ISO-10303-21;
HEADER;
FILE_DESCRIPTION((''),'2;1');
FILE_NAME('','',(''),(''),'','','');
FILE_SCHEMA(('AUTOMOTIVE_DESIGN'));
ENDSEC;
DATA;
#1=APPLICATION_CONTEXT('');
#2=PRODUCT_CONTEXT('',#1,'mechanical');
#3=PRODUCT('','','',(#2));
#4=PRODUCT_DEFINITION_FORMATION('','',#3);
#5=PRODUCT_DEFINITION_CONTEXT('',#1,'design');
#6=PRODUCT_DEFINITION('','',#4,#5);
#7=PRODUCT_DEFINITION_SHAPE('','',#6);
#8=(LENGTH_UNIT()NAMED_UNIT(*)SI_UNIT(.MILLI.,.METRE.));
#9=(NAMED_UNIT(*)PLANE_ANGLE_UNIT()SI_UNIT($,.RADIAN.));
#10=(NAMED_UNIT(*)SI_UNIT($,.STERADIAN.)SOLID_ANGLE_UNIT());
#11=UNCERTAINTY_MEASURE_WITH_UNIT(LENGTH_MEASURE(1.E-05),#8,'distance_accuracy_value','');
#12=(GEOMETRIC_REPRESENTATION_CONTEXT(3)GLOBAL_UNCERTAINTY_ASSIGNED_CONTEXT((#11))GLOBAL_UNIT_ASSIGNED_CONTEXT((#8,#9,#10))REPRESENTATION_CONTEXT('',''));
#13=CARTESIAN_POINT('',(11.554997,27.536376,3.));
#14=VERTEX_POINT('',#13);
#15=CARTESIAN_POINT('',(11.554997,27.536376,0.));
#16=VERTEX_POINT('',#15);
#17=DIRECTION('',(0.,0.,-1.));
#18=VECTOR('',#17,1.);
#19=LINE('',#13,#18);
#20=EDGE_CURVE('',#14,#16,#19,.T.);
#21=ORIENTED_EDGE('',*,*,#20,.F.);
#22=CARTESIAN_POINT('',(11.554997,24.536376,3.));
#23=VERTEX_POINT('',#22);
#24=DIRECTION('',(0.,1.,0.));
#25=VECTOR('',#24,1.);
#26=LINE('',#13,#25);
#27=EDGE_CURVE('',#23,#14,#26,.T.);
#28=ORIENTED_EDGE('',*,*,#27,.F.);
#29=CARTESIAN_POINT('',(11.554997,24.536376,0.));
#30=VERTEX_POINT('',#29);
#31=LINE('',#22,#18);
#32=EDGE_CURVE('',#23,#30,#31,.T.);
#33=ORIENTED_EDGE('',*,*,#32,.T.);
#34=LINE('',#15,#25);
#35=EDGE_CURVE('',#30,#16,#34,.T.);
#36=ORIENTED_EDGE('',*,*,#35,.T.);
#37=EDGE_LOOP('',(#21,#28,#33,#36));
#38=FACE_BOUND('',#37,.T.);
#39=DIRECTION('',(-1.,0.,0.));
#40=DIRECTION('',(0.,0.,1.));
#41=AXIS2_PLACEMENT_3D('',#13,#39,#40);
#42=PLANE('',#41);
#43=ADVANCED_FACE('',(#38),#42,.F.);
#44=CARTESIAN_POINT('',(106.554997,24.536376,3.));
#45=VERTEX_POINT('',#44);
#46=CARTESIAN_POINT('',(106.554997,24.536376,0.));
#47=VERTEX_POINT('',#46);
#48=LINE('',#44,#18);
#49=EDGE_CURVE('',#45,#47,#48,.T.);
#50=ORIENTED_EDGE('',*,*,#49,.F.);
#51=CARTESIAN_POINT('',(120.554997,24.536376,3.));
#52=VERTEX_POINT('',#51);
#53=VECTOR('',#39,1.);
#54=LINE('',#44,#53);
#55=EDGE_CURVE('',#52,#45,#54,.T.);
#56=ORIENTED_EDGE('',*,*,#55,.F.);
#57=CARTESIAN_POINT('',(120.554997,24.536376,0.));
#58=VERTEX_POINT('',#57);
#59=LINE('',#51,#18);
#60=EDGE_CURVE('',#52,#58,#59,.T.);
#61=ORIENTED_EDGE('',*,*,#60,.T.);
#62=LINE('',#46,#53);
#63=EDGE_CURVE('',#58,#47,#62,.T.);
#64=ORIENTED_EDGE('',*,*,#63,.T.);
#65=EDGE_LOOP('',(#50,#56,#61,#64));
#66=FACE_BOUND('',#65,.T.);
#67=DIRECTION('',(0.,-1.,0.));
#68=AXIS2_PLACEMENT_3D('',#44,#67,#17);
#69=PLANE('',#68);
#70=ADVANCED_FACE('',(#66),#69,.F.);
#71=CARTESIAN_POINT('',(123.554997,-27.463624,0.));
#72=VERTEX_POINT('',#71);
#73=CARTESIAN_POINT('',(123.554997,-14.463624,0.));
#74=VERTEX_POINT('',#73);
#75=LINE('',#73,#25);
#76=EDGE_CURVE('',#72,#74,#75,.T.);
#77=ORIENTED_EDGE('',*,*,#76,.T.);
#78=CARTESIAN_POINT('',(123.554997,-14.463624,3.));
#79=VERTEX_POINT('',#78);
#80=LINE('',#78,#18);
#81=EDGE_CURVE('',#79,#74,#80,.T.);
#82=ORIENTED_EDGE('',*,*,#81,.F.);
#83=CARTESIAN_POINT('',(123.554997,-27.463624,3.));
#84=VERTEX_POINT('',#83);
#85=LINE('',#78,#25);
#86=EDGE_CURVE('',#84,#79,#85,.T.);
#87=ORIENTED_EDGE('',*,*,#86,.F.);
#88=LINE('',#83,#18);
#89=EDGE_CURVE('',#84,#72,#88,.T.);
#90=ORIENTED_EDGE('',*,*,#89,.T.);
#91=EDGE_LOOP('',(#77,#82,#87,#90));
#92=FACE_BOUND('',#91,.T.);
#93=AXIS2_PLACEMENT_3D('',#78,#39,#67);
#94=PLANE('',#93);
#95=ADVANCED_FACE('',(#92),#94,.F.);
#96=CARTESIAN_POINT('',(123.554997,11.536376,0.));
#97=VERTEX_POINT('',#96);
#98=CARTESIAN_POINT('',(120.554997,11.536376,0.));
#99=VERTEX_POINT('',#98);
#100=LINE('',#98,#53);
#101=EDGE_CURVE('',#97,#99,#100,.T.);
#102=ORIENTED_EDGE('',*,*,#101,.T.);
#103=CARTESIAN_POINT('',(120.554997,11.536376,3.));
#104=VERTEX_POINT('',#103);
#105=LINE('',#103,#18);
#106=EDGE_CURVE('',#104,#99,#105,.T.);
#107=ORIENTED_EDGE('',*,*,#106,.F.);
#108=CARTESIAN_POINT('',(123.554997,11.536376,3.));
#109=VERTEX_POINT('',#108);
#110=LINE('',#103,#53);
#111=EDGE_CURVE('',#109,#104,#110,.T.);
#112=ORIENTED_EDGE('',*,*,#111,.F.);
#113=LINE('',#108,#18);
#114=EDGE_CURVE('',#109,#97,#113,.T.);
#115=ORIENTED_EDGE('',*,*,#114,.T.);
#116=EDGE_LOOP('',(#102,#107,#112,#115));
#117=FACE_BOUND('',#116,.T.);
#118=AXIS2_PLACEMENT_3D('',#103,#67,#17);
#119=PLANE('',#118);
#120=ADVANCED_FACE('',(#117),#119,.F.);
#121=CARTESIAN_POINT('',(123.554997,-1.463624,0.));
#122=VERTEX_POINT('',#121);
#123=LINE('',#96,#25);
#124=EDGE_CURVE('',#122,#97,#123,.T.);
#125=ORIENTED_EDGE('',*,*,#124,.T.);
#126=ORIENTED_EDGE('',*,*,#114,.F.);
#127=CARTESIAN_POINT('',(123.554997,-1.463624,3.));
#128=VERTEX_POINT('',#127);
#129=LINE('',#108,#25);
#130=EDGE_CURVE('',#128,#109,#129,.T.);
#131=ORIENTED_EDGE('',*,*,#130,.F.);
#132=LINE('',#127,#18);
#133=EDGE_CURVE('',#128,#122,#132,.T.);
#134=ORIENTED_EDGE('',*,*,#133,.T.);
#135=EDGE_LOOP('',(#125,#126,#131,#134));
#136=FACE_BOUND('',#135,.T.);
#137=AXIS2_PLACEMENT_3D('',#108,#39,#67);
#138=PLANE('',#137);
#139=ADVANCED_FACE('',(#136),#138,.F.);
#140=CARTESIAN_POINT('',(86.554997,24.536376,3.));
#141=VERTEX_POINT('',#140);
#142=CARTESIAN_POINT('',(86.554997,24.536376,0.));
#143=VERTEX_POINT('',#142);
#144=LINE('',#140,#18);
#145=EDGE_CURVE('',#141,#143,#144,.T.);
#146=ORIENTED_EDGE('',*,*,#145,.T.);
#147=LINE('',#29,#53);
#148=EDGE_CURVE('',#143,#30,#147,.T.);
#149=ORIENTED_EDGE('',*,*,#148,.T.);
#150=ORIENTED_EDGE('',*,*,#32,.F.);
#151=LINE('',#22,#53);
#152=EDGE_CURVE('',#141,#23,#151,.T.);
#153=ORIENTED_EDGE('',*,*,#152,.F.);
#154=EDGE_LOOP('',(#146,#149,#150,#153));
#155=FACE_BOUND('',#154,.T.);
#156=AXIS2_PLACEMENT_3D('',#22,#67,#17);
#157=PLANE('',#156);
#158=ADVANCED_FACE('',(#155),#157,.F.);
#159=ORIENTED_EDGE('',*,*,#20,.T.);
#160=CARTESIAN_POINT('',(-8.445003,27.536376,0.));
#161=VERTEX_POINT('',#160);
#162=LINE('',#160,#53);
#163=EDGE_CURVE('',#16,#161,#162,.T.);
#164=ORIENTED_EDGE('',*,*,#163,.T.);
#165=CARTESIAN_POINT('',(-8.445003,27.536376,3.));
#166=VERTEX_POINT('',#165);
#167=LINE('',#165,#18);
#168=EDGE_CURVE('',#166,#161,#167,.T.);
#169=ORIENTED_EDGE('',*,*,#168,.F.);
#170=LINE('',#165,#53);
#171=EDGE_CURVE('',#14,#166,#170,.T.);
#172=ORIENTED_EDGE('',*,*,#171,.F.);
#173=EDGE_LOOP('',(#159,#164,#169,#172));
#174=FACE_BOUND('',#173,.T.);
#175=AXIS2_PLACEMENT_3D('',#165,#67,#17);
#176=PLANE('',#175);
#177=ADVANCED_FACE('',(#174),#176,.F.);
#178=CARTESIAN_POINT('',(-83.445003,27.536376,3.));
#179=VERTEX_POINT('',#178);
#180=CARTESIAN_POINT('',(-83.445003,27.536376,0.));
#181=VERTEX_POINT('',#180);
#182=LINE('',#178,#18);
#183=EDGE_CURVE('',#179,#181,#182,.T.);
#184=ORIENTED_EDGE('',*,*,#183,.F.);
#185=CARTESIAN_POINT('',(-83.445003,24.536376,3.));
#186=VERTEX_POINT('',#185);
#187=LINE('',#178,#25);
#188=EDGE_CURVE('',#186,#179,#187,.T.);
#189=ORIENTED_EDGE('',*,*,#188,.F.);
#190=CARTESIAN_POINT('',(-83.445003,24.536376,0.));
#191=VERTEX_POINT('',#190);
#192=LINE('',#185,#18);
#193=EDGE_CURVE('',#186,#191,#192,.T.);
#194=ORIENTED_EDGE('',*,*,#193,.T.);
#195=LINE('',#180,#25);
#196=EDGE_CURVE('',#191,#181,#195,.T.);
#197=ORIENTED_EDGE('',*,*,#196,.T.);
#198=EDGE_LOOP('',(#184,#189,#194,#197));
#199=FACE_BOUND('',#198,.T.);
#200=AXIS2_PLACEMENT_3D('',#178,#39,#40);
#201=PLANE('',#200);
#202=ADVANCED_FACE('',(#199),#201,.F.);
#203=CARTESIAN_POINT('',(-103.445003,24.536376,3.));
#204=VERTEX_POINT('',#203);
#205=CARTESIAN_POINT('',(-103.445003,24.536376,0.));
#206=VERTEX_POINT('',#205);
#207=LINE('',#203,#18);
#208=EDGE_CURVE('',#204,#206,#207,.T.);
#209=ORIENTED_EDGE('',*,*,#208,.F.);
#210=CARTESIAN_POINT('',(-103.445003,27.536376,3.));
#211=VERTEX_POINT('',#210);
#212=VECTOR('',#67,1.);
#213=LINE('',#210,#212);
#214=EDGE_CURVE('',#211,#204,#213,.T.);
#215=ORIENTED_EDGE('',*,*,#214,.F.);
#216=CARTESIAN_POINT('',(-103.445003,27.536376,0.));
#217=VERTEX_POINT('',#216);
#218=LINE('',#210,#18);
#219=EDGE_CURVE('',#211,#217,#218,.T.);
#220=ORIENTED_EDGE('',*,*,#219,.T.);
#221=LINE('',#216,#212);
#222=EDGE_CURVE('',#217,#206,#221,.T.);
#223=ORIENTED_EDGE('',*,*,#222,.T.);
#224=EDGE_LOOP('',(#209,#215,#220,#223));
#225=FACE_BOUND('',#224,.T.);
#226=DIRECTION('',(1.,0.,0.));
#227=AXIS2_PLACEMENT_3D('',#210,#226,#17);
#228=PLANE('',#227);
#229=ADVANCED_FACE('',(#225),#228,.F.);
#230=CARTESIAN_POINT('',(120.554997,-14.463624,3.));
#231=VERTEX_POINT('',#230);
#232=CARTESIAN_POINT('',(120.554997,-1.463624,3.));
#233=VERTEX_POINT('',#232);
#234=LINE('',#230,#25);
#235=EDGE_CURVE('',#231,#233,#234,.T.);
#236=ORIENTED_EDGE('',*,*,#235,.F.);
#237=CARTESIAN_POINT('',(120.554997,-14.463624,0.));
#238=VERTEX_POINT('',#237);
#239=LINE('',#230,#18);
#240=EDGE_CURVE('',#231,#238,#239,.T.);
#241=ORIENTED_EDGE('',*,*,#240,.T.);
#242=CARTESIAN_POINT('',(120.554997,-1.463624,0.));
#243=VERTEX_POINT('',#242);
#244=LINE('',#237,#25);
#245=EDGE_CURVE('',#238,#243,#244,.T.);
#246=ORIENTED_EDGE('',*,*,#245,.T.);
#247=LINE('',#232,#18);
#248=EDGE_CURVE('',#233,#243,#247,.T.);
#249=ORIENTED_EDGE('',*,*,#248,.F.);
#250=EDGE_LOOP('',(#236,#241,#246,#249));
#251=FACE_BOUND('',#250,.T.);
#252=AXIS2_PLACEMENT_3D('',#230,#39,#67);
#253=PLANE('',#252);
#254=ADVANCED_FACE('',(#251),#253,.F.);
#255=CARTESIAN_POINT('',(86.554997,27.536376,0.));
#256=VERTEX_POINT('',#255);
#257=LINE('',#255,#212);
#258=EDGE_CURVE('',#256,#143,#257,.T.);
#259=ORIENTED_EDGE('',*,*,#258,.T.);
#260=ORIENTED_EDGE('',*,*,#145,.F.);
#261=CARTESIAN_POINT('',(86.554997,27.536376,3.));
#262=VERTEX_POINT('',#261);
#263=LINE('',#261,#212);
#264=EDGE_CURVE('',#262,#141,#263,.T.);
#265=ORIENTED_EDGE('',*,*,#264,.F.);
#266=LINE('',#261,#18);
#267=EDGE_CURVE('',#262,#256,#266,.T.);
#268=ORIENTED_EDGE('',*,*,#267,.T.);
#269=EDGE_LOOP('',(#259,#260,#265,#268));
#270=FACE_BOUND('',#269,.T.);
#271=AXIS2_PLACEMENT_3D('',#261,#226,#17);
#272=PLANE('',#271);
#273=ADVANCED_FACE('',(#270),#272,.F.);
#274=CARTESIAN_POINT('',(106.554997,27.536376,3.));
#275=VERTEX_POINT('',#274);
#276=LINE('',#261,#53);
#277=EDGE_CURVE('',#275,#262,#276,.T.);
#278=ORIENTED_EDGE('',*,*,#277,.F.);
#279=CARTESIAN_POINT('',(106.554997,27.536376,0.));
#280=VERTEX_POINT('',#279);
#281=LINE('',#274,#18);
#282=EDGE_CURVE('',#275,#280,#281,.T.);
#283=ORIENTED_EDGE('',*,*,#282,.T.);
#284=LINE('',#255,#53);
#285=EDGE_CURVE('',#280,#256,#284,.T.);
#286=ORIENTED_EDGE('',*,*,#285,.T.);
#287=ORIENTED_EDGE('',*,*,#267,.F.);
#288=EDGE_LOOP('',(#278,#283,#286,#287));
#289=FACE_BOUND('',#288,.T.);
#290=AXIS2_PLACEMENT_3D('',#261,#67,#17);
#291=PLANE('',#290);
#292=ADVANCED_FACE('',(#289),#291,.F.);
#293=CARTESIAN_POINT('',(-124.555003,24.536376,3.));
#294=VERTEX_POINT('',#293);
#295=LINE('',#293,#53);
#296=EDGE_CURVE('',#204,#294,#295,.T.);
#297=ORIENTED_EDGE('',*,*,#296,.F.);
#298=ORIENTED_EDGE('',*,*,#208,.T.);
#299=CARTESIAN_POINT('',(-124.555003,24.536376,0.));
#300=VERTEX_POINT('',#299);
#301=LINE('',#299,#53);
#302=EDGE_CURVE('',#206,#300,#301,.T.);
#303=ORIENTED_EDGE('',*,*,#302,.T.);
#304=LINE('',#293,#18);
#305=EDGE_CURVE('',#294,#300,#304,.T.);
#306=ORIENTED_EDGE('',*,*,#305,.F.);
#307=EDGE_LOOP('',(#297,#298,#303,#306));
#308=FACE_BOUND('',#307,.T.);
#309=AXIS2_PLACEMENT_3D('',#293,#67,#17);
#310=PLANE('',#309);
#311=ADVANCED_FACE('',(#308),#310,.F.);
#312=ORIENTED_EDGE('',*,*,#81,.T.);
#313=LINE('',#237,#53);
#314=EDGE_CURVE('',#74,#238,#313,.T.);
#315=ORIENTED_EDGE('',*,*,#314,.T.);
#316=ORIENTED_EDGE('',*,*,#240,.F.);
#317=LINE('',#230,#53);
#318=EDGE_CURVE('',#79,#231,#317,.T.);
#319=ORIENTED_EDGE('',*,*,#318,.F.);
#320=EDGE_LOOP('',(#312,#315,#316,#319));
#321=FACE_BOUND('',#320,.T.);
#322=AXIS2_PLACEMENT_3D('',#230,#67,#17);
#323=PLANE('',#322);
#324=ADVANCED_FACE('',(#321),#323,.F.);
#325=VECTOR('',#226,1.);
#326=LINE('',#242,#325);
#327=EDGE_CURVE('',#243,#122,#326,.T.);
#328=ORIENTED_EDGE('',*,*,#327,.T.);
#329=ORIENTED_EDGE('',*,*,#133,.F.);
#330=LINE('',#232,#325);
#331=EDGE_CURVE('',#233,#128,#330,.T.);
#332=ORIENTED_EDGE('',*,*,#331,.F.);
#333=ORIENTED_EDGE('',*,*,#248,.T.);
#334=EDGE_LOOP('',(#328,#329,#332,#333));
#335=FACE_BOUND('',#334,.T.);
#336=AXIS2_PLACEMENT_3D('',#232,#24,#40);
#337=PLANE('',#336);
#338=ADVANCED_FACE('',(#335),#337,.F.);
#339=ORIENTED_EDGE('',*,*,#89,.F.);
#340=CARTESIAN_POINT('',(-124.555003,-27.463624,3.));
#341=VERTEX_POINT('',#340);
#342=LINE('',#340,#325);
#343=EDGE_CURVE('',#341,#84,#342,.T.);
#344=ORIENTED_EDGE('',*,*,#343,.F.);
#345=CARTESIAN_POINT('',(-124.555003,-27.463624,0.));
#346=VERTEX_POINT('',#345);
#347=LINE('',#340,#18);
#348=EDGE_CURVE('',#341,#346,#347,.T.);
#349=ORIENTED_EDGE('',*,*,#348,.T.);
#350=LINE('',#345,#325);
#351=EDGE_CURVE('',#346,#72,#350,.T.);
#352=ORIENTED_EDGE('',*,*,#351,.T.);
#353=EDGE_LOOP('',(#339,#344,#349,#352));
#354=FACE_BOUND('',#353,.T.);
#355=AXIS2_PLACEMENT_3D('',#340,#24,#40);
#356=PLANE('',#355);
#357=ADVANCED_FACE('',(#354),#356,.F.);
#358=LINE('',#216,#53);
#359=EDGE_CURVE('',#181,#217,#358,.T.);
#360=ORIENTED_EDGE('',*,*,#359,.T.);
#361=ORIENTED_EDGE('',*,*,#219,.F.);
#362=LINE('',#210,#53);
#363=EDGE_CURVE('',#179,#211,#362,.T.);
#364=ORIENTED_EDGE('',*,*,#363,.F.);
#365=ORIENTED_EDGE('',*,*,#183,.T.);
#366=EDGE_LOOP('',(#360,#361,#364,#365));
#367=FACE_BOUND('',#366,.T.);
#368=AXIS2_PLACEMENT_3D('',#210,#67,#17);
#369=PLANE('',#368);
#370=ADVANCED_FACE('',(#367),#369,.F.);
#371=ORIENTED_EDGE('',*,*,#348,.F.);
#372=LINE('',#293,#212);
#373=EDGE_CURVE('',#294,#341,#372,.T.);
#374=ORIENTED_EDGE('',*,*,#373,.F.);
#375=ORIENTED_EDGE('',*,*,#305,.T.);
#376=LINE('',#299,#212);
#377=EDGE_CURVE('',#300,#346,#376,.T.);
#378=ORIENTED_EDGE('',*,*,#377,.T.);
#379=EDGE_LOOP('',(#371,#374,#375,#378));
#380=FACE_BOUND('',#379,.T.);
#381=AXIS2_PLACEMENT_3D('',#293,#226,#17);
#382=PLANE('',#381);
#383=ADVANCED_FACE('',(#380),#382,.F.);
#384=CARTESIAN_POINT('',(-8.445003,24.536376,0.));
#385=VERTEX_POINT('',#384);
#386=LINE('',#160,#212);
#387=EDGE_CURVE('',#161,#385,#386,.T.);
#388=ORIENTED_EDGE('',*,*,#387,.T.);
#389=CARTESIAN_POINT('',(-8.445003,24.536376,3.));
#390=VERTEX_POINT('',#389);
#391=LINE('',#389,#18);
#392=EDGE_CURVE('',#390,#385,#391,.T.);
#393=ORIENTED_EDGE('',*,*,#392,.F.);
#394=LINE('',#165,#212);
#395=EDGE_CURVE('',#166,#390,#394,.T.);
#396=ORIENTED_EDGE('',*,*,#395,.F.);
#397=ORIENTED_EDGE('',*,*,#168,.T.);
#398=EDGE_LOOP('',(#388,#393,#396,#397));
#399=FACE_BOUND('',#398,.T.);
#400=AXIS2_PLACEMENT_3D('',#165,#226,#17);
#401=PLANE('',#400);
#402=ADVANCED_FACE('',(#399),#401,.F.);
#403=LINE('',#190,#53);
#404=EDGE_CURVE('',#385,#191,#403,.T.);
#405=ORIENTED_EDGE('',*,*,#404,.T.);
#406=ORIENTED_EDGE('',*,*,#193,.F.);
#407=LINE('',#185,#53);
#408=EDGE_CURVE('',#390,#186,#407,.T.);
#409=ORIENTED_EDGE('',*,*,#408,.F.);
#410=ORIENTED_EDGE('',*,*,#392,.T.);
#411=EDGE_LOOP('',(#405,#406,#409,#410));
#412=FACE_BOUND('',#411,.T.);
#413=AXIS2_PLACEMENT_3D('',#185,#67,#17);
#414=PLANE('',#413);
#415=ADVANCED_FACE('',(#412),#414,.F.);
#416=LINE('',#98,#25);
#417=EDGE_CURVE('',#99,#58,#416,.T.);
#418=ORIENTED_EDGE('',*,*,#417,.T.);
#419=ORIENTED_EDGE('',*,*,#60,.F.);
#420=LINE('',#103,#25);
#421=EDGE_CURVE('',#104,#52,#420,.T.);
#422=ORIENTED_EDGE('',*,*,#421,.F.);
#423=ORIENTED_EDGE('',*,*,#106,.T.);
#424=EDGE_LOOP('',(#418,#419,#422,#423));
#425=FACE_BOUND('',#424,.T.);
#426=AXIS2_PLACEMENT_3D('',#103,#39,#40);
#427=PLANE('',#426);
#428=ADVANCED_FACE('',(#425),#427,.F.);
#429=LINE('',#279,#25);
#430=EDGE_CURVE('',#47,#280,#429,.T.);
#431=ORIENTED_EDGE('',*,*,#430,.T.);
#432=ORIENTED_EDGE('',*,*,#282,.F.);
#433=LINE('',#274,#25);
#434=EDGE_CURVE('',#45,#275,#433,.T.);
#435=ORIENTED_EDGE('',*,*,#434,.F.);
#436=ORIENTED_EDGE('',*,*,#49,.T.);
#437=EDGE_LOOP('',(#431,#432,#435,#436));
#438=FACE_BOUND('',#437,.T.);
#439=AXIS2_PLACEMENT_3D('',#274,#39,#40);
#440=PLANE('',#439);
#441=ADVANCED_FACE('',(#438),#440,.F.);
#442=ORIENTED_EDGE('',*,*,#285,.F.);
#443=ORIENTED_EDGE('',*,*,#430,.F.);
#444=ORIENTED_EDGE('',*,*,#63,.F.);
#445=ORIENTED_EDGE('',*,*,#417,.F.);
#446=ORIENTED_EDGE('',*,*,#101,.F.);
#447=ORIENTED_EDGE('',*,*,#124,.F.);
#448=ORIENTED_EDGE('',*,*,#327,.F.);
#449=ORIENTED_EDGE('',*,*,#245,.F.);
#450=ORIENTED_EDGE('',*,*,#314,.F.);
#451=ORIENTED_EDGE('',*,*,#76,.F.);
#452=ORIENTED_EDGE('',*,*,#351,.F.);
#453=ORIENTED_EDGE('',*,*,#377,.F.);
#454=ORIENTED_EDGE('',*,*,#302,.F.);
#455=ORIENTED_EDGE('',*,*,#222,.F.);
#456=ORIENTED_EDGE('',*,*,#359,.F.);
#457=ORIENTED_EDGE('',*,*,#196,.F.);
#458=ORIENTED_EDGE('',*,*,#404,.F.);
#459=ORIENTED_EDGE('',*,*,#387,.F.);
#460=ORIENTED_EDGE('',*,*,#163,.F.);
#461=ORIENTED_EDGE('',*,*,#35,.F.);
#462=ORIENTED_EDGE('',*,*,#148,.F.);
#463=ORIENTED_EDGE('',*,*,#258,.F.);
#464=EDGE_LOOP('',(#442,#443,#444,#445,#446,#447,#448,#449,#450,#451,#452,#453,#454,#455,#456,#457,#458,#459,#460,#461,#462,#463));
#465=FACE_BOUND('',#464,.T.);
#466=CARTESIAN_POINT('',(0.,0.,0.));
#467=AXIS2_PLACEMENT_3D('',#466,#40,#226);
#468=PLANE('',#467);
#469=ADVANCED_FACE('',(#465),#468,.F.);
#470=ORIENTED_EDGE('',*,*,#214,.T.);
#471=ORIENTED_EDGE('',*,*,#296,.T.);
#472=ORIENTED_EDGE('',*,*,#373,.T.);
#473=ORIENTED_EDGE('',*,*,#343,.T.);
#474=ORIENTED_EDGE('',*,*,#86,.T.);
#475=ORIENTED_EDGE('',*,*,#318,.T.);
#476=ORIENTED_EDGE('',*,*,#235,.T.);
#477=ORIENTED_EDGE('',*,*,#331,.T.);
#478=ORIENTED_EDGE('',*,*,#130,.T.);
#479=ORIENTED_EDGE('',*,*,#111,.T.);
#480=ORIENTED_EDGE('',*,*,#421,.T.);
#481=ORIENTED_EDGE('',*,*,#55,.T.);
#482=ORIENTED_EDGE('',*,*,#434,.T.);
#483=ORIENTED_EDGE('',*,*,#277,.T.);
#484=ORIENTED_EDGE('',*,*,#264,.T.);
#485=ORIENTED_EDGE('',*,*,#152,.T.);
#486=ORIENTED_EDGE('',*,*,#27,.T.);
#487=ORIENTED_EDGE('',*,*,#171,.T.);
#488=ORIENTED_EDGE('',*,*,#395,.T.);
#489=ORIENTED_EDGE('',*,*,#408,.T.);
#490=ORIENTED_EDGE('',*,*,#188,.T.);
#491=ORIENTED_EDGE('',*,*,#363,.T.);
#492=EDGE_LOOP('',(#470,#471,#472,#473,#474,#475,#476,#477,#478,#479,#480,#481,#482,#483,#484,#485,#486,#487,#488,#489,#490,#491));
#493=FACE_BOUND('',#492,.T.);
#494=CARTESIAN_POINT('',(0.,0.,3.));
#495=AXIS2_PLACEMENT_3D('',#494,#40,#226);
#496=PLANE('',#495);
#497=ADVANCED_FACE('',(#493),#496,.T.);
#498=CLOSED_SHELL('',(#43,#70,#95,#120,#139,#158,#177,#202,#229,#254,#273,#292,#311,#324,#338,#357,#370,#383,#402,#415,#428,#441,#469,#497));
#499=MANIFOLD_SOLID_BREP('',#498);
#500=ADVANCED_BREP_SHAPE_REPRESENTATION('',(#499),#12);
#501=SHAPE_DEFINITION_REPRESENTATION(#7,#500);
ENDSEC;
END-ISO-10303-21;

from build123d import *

# Parameters (mm, degrees)
BOSS_EXTRUDE1_DEPTH = 3


with BuildPart() as part:
    # Sketch1 → Boss-Extrude1 (new body)
    with BuildSketch(Plane.XY):
        Polygon((-124.555002656, 24.536375762), (-103.445002656, 24.536375762), (-103.445002656, 27.536375762), (-83.445002656, 27.536375762), (-83.445002656, 24.536375762), (-8.445002656, 24.536375762), (-8.445002656, 27.536375762), (11.554997344, 27.536375762), (11.554997344, 24.536375762), (86.554997344, 24.536375762), (86.554997344, 27.536375762), (106.554997344, 27.536375762), (106.554997344, 24.536375762), (120.554997344, 24.536375762), (120.554997344, 11.536375762), (123.554997344, 11.536375762), (123.554997344, -1.463624238), (120.554997344, -1.463624238), (120.554997344, -14.463624238), (123.554997344, -14.463624238), (123.554997344, -27.463624238), (-124.555002656, -27.463624238), align=None)
    extrude(amount=BOSS_EXTRUDE1_DEPTH)


solid = part.part
